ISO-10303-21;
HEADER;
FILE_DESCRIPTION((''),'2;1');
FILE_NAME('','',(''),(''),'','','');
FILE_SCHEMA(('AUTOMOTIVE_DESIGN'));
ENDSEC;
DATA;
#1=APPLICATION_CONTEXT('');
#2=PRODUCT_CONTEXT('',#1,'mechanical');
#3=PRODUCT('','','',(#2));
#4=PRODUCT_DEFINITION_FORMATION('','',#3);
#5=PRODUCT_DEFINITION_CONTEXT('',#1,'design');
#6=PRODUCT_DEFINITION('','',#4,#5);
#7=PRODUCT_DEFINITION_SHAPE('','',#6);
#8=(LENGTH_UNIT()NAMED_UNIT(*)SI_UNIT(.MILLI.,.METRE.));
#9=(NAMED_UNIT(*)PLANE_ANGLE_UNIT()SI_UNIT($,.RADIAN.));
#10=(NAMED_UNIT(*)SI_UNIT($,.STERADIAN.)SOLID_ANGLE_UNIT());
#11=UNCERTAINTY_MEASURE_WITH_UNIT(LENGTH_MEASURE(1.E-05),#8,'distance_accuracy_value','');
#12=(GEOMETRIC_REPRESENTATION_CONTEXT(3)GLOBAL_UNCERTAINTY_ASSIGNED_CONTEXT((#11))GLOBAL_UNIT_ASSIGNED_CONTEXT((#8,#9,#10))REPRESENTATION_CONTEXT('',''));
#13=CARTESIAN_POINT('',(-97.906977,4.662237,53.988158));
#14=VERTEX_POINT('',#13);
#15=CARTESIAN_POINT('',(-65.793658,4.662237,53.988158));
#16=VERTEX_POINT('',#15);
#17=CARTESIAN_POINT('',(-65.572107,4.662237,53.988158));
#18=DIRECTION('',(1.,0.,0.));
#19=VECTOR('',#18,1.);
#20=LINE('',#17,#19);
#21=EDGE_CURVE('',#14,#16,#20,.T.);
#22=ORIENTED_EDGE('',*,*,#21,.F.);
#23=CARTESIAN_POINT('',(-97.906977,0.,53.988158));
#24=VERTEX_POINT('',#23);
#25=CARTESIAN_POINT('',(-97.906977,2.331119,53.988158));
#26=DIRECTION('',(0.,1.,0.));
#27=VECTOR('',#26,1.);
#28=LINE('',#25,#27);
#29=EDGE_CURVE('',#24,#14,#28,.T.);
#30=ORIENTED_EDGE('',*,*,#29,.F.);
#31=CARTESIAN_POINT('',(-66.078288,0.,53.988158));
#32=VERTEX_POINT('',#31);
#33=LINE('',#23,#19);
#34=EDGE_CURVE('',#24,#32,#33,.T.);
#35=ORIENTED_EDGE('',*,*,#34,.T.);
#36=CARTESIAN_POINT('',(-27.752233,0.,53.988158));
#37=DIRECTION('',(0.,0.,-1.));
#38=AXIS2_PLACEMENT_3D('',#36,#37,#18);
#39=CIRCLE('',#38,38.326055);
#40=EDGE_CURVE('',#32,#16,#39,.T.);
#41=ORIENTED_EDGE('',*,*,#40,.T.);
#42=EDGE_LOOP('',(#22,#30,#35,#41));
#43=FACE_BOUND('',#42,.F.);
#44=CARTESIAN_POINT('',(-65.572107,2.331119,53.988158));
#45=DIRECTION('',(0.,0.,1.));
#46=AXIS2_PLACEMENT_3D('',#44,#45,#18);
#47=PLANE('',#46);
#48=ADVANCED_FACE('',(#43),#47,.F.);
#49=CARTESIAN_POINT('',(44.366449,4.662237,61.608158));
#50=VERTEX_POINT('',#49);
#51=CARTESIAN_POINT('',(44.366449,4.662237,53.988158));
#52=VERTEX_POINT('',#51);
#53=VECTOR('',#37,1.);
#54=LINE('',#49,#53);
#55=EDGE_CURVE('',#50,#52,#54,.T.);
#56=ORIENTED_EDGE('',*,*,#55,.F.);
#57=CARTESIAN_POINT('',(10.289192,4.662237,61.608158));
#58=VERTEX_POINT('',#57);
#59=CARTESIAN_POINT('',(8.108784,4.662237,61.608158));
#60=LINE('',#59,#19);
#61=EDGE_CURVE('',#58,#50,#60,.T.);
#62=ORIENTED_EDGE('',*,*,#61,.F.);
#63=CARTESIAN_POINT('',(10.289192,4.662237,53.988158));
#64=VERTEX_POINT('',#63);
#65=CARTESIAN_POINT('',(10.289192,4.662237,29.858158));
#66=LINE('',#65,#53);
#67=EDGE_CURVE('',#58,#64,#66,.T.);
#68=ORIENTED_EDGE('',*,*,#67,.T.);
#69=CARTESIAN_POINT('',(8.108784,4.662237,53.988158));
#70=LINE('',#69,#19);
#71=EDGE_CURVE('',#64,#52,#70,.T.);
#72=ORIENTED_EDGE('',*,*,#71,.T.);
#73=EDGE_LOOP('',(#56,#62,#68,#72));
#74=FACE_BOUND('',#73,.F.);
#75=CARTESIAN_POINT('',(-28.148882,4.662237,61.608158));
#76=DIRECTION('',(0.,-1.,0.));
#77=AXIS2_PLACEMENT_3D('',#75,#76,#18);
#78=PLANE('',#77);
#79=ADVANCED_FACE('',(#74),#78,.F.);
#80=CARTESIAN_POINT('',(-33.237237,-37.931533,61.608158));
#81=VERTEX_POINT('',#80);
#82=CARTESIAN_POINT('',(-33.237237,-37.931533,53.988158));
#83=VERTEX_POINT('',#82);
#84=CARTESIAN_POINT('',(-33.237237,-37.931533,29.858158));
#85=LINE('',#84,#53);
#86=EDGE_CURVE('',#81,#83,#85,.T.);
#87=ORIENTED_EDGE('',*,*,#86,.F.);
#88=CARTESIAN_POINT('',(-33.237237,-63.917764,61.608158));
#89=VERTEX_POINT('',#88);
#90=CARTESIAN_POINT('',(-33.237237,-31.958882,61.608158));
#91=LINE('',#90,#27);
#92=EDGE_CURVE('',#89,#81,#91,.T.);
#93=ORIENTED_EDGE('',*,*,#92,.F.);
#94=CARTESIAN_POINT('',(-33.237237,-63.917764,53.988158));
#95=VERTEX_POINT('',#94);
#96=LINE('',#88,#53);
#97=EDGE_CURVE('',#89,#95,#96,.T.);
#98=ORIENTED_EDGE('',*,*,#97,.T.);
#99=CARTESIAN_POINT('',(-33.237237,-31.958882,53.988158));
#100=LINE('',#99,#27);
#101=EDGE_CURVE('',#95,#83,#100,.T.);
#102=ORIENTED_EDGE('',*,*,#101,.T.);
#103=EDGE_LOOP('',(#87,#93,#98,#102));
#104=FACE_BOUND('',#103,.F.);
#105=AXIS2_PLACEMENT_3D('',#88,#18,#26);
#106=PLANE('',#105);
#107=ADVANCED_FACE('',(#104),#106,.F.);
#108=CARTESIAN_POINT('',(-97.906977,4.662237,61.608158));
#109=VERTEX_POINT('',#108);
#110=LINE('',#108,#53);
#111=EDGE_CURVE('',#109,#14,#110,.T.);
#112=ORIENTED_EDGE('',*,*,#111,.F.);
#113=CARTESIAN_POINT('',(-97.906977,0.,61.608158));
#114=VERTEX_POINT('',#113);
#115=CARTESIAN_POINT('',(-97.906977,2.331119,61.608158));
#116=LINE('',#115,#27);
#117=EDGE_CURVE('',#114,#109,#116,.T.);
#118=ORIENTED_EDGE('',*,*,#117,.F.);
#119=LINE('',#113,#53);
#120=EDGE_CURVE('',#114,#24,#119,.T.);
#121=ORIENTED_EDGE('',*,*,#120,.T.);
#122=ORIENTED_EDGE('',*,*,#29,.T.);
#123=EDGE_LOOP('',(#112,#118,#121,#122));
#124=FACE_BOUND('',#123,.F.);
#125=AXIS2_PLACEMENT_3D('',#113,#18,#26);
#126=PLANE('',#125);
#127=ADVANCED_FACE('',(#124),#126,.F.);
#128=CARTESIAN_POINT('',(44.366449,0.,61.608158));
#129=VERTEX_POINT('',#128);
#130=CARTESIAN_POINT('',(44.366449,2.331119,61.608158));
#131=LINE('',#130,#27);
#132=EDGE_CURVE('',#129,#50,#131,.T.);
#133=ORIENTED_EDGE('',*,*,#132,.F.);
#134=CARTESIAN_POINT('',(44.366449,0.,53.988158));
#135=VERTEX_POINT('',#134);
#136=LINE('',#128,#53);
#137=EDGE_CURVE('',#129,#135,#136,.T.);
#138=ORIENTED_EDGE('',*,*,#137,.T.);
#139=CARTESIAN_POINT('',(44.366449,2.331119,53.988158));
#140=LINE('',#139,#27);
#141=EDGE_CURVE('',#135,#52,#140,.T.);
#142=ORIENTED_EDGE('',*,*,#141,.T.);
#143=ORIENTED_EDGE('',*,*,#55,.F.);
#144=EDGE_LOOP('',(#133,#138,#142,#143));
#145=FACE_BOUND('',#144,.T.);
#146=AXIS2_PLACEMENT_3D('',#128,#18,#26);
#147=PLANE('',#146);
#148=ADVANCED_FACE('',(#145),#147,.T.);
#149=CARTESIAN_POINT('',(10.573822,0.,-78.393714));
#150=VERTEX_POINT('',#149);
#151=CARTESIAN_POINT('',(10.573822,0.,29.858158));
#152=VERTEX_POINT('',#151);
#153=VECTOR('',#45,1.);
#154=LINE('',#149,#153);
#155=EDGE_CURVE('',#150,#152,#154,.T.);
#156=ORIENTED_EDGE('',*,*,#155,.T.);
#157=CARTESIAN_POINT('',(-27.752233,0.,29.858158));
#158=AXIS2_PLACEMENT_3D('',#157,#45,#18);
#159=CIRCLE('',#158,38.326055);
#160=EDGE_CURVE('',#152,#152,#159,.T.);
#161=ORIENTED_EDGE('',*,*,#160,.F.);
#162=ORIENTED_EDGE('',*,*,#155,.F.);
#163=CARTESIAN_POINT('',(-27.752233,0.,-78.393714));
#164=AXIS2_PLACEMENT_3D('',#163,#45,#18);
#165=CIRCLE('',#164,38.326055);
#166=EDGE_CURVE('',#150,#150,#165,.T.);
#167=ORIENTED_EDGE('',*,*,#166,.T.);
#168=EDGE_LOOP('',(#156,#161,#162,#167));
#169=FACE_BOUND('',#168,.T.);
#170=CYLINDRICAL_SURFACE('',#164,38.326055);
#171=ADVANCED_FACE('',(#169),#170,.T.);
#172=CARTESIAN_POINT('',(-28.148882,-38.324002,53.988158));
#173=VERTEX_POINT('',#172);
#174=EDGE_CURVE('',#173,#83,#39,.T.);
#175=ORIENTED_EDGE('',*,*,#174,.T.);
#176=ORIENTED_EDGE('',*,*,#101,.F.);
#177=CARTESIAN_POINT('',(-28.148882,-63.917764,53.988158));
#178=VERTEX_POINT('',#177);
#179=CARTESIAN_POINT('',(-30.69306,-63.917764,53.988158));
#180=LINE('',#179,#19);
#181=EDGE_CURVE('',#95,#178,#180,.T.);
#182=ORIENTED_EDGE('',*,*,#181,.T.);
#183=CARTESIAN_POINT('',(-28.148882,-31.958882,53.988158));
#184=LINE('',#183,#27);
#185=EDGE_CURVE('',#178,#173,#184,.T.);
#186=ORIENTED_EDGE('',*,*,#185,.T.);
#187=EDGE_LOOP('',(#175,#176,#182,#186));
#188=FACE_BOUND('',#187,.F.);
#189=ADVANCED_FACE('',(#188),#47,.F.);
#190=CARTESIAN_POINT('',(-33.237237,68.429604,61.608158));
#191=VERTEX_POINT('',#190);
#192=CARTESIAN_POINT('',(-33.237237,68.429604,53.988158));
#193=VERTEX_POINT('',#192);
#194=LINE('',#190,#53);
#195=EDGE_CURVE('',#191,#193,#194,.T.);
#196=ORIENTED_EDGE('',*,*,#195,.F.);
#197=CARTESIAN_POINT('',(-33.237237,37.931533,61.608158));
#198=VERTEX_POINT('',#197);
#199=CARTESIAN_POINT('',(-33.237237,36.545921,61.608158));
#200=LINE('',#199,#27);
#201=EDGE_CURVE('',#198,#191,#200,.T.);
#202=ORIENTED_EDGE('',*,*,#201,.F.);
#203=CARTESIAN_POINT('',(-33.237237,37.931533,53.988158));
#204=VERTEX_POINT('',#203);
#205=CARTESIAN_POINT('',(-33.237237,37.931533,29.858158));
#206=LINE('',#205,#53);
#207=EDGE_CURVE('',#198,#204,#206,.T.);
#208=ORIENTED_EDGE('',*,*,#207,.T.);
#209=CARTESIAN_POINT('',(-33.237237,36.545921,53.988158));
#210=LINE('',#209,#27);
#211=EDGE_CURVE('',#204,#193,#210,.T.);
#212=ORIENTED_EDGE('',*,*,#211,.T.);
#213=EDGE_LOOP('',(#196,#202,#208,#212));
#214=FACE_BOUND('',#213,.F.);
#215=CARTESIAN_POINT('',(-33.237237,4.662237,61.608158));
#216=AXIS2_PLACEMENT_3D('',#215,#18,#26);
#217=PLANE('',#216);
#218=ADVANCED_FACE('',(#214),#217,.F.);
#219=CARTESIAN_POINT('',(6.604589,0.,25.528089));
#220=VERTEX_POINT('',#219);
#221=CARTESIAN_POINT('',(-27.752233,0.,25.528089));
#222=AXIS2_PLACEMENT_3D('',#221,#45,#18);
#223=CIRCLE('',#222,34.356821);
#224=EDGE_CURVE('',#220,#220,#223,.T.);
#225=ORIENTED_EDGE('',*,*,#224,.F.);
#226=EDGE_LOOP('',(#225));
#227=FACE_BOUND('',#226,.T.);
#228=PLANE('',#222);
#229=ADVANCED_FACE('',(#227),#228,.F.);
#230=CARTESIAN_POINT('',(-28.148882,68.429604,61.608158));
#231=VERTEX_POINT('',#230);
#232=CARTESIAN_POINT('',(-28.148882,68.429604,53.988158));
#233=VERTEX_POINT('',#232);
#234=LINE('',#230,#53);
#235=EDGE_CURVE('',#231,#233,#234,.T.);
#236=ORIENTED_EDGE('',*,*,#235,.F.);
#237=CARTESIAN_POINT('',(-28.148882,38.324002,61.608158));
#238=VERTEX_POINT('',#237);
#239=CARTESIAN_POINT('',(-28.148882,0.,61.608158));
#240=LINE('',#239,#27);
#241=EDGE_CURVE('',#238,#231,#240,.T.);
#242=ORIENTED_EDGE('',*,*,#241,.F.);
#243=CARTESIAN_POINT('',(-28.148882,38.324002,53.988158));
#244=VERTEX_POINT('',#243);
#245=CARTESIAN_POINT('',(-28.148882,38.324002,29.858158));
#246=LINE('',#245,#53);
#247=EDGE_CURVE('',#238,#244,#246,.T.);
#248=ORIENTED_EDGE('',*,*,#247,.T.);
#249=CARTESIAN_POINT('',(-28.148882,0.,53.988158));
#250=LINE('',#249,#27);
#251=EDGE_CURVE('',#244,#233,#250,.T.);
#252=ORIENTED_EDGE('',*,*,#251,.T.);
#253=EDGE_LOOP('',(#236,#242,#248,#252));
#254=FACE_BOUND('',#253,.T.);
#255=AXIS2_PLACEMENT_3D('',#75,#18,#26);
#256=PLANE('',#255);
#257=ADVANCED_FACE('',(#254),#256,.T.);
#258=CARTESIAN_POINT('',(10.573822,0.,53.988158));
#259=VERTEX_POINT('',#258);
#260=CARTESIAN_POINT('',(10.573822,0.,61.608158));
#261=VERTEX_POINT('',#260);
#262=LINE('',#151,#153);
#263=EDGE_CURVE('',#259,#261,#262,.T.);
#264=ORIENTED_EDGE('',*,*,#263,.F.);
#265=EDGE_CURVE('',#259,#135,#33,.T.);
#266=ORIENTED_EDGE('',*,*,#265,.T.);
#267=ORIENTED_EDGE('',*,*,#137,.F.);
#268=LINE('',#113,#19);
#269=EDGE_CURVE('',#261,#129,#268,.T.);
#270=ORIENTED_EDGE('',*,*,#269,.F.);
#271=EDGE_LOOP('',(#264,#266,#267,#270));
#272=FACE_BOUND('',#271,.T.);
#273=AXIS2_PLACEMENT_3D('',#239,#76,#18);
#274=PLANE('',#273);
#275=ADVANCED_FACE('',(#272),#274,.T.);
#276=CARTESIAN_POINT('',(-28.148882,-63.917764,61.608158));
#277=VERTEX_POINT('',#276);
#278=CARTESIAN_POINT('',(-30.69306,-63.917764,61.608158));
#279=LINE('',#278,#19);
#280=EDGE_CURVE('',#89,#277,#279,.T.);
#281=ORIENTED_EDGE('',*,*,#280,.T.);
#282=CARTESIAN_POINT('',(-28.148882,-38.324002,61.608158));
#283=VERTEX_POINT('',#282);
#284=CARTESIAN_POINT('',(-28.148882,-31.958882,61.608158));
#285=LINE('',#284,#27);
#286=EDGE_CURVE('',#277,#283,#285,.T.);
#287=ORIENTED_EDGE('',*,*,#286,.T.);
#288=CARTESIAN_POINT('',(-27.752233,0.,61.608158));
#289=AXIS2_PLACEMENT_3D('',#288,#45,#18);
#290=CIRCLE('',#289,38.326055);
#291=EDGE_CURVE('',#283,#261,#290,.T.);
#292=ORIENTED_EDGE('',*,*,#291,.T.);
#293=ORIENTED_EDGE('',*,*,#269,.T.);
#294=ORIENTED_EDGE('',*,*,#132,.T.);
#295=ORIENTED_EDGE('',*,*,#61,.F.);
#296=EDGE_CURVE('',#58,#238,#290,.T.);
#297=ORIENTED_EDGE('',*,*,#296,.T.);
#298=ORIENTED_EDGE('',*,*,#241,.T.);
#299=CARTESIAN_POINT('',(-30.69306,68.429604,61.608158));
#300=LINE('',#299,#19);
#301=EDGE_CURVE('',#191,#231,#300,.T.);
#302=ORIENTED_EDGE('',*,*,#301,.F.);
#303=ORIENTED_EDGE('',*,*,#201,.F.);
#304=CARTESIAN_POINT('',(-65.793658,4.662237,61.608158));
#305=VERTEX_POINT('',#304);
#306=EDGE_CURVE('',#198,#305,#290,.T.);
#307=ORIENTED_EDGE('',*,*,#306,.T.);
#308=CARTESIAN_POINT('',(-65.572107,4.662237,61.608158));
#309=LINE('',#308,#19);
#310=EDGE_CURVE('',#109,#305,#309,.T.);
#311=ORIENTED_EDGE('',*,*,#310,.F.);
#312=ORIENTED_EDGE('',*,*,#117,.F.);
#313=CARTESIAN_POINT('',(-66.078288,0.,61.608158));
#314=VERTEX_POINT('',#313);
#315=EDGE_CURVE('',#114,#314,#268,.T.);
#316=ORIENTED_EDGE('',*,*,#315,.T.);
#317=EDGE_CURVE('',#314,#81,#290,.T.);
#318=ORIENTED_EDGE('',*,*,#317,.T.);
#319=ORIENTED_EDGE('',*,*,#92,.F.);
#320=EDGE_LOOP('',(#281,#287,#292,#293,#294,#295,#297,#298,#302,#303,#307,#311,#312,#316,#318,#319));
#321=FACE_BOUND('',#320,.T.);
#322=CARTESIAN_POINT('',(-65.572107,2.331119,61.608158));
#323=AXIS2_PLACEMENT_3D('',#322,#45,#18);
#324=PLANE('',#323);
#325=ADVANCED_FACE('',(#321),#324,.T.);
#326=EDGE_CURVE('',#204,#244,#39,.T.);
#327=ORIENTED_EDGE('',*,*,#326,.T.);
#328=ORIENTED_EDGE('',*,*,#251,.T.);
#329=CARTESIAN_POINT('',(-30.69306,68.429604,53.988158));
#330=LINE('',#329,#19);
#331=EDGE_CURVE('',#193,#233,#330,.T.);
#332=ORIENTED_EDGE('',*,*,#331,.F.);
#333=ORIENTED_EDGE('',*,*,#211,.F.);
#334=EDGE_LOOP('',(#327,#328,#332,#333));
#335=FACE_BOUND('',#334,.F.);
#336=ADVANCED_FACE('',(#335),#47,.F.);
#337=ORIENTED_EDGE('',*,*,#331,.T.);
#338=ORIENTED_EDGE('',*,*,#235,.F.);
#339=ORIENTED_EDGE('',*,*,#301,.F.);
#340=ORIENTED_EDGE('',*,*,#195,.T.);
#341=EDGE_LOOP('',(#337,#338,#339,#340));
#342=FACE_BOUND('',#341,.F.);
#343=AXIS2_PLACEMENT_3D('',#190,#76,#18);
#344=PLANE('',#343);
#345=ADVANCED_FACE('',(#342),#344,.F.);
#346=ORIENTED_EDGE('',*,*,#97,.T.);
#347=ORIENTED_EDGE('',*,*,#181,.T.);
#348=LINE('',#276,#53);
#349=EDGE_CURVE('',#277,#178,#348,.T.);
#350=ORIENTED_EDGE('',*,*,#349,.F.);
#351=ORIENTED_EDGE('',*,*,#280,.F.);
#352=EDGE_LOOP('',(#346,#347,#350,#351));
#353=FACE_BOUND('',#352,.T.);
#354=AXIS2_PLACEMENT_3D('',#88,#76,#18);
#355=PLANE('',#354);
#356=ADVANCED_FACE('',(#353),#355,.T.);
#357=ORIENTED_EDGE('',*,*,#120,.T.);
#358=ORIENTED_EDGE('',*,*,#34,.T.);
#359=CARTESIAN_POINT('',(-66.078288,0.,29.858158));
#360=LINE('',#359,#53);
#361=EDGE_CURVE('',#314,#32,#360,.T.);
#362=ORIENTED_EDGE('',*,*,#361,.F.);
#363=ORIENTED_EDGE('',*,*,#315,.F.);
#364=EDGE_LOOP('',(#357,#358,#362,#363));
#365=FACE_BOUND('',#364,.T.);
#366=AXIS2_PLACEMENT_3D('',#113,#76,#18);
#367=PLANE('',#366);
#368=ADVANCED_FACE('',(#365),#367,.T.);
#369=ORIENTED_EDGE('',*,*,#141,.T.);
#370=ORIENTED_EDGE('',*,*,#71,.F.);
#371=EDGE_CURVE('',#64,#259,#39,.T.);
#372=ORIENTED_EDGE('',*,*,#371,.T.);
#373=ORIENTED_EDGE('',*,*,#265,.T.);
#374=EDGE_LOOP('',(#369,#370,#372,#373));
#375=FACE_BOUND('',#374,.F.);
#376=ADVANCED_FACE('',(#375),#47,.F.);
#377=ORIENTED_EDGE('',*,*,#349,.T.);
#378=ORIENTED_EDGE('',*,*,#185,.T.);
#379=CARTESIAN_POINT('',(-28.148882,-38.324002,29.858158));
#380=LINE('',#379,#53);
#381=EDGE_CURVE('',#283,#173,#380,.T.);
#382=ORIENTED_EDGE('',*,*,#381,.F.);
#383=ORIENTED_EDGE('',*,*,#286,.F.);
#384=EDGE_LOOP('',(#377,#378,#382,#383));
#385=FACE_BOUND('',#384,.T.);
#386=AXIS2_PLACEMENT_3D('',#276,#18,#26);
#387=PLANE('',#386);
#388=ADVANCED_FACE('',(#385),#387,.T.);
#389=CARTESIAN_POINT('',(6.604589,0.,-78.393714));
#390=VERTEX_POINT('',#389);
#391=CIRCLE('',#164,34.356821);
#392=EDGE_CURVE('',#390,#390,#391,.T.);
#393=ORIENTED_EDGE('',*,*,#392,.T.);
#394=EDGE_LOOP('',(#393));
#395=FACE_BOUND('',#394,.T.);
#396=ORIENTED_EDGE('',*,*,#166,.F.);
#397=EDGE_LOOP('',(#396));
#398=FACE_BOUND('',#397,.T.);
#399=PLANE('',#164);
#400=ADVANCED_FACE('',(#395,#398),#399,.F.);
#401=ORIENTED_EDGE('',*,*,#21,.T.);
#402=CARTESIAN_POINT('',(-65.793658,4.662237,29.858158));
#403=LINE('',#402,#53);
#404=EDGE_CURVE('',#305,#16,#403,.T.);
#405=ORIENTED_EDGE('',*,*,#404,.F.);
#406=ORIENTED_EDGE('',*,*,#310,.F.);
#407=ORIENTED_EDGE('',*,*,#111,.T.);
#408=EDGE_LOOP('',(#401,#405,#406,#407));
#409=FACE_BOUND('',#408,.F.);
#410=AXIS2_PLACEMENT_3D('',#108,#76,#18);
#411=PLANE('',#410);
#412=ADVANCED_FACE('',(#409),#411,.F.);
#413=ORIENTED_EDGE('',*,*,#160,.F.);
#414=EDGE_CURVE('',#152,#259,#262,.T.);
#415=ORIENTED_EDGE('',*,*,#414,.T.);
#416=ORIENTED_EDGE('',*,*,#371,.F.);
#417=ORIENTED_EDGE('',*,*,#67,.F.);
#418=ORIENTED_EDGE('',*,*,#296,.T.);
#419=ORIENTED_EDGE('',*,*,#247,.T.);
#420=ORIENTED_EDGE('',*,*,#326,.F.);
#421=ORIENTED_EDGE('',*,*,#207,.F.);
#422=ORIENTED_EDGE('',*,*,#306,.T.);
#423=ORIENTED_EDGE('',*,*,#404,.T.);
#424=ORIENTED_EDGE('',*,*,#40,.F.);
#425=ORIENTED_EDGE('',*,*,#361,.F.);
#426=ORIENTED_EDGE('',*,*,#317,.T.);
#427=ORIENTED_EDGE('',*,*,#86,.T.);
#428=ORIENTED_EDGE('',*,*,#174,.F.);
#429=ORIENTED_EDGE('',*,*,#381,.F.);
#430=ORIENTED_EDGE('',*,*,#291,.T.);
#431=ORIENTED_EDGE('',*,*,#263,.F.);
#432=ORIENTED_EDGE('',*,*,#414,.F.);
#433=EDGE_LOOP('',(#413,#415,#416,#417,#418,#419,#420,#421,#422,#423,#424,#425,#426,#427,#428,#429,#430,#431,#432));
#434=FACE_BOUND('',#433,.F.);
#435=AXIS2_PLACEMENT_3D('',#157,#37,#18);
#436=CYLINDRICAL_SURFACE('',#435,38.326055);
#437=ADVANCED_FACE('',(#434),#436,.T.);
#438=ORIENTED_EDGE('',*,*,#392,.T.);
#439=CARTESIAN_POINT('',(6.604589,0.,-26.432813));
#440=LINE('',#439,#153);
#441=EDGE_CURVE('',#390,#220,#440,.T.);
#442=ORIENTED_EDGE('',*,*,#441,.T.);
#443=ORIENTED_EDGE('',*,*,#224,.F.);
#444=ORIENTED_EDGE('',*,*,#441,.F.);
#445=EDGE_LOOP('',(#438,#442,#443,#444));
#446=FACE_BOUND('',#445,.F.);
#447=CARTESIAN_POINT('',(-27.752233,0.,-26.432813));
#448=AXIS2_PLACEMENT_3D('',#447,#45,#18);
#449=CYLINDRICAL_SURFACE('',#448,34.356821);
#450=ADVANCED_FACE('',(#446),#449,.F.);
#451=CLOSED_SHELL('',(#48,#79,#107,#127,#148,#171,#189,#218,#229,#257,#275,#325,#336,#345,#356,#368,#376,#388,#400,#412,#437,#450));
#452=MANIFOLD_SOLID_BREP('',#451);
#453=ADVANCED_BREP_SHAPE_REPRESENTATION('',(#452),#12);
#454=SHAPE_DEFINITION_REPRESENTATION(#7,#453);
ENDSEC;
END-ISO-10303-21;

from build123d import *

# Parameters (mm, degrees)
F0_W     = 3.9692334831
F0_H     = 103.9218027145
F2_DEPTH = 31.75
F3_W     = 64.669739455
F3_H     = 4.6622371301
F3_W_2   = 5.0883553922
F3_H_2   = 63.7673670426
F3_W_3   = 72.5153312087
F3_H_3   = 63.9177635312
F4_DEPTH = 7.62


with BuildPart() as f1:
    # F0 (on Front) → F1 (revolve)
    with BuildSketch(Plane.XZ):
        Polygon((10.5738220736, 29.8581575043), (-27.7522327378, 29.8581575043), (-27.7522327378, 25.5280886777), (6.6045885906, 25.5280886777), (10.5738220736, 25.5280886777), align=None)
        with Locations((8.5892053321, -26.4328126796)):
            Rectangle(F0_W, F0_H)
    revolve(axis=Axis((-27.7522327378, 0, 22.6518814452), (0, 0, 1)))

    # F2 (add): a face of the model
    f2_faces = [f1.faces().sort_by_distance(p)[0] for p in [
        (-27.7522327378, 0, 29.8581575043),
    ]]
    extrude(f2_faces, amount=F2_DEPTH)

    # F3 (on face) → F4 (join)
    with BuildSketch(Plane.XY.offset(61.6081575043)):
        with Locations((-65.5721072108, 2.3311185651)):
            Rectangle(F3_W, F3_H)
        with Locations((-30.6930597872, 36.5459206514)):
            Rectangle(F3_W_2, F3_H_2)
        with Locations((-30.6930597872, 2.3311185651)):
            Rectangle(F3_W_2, F3_H)
        with Locations((8.1087835133, 2.3311185651)):
            Rectangle(F3_W_3, F3_H)
        with Locations((-30.6930597872, -31.9588817656)):
            Rectangle(F3_W_2, F3_H_3)
    extrude(amount=-F4_DEPTH)


solid = f1.part
